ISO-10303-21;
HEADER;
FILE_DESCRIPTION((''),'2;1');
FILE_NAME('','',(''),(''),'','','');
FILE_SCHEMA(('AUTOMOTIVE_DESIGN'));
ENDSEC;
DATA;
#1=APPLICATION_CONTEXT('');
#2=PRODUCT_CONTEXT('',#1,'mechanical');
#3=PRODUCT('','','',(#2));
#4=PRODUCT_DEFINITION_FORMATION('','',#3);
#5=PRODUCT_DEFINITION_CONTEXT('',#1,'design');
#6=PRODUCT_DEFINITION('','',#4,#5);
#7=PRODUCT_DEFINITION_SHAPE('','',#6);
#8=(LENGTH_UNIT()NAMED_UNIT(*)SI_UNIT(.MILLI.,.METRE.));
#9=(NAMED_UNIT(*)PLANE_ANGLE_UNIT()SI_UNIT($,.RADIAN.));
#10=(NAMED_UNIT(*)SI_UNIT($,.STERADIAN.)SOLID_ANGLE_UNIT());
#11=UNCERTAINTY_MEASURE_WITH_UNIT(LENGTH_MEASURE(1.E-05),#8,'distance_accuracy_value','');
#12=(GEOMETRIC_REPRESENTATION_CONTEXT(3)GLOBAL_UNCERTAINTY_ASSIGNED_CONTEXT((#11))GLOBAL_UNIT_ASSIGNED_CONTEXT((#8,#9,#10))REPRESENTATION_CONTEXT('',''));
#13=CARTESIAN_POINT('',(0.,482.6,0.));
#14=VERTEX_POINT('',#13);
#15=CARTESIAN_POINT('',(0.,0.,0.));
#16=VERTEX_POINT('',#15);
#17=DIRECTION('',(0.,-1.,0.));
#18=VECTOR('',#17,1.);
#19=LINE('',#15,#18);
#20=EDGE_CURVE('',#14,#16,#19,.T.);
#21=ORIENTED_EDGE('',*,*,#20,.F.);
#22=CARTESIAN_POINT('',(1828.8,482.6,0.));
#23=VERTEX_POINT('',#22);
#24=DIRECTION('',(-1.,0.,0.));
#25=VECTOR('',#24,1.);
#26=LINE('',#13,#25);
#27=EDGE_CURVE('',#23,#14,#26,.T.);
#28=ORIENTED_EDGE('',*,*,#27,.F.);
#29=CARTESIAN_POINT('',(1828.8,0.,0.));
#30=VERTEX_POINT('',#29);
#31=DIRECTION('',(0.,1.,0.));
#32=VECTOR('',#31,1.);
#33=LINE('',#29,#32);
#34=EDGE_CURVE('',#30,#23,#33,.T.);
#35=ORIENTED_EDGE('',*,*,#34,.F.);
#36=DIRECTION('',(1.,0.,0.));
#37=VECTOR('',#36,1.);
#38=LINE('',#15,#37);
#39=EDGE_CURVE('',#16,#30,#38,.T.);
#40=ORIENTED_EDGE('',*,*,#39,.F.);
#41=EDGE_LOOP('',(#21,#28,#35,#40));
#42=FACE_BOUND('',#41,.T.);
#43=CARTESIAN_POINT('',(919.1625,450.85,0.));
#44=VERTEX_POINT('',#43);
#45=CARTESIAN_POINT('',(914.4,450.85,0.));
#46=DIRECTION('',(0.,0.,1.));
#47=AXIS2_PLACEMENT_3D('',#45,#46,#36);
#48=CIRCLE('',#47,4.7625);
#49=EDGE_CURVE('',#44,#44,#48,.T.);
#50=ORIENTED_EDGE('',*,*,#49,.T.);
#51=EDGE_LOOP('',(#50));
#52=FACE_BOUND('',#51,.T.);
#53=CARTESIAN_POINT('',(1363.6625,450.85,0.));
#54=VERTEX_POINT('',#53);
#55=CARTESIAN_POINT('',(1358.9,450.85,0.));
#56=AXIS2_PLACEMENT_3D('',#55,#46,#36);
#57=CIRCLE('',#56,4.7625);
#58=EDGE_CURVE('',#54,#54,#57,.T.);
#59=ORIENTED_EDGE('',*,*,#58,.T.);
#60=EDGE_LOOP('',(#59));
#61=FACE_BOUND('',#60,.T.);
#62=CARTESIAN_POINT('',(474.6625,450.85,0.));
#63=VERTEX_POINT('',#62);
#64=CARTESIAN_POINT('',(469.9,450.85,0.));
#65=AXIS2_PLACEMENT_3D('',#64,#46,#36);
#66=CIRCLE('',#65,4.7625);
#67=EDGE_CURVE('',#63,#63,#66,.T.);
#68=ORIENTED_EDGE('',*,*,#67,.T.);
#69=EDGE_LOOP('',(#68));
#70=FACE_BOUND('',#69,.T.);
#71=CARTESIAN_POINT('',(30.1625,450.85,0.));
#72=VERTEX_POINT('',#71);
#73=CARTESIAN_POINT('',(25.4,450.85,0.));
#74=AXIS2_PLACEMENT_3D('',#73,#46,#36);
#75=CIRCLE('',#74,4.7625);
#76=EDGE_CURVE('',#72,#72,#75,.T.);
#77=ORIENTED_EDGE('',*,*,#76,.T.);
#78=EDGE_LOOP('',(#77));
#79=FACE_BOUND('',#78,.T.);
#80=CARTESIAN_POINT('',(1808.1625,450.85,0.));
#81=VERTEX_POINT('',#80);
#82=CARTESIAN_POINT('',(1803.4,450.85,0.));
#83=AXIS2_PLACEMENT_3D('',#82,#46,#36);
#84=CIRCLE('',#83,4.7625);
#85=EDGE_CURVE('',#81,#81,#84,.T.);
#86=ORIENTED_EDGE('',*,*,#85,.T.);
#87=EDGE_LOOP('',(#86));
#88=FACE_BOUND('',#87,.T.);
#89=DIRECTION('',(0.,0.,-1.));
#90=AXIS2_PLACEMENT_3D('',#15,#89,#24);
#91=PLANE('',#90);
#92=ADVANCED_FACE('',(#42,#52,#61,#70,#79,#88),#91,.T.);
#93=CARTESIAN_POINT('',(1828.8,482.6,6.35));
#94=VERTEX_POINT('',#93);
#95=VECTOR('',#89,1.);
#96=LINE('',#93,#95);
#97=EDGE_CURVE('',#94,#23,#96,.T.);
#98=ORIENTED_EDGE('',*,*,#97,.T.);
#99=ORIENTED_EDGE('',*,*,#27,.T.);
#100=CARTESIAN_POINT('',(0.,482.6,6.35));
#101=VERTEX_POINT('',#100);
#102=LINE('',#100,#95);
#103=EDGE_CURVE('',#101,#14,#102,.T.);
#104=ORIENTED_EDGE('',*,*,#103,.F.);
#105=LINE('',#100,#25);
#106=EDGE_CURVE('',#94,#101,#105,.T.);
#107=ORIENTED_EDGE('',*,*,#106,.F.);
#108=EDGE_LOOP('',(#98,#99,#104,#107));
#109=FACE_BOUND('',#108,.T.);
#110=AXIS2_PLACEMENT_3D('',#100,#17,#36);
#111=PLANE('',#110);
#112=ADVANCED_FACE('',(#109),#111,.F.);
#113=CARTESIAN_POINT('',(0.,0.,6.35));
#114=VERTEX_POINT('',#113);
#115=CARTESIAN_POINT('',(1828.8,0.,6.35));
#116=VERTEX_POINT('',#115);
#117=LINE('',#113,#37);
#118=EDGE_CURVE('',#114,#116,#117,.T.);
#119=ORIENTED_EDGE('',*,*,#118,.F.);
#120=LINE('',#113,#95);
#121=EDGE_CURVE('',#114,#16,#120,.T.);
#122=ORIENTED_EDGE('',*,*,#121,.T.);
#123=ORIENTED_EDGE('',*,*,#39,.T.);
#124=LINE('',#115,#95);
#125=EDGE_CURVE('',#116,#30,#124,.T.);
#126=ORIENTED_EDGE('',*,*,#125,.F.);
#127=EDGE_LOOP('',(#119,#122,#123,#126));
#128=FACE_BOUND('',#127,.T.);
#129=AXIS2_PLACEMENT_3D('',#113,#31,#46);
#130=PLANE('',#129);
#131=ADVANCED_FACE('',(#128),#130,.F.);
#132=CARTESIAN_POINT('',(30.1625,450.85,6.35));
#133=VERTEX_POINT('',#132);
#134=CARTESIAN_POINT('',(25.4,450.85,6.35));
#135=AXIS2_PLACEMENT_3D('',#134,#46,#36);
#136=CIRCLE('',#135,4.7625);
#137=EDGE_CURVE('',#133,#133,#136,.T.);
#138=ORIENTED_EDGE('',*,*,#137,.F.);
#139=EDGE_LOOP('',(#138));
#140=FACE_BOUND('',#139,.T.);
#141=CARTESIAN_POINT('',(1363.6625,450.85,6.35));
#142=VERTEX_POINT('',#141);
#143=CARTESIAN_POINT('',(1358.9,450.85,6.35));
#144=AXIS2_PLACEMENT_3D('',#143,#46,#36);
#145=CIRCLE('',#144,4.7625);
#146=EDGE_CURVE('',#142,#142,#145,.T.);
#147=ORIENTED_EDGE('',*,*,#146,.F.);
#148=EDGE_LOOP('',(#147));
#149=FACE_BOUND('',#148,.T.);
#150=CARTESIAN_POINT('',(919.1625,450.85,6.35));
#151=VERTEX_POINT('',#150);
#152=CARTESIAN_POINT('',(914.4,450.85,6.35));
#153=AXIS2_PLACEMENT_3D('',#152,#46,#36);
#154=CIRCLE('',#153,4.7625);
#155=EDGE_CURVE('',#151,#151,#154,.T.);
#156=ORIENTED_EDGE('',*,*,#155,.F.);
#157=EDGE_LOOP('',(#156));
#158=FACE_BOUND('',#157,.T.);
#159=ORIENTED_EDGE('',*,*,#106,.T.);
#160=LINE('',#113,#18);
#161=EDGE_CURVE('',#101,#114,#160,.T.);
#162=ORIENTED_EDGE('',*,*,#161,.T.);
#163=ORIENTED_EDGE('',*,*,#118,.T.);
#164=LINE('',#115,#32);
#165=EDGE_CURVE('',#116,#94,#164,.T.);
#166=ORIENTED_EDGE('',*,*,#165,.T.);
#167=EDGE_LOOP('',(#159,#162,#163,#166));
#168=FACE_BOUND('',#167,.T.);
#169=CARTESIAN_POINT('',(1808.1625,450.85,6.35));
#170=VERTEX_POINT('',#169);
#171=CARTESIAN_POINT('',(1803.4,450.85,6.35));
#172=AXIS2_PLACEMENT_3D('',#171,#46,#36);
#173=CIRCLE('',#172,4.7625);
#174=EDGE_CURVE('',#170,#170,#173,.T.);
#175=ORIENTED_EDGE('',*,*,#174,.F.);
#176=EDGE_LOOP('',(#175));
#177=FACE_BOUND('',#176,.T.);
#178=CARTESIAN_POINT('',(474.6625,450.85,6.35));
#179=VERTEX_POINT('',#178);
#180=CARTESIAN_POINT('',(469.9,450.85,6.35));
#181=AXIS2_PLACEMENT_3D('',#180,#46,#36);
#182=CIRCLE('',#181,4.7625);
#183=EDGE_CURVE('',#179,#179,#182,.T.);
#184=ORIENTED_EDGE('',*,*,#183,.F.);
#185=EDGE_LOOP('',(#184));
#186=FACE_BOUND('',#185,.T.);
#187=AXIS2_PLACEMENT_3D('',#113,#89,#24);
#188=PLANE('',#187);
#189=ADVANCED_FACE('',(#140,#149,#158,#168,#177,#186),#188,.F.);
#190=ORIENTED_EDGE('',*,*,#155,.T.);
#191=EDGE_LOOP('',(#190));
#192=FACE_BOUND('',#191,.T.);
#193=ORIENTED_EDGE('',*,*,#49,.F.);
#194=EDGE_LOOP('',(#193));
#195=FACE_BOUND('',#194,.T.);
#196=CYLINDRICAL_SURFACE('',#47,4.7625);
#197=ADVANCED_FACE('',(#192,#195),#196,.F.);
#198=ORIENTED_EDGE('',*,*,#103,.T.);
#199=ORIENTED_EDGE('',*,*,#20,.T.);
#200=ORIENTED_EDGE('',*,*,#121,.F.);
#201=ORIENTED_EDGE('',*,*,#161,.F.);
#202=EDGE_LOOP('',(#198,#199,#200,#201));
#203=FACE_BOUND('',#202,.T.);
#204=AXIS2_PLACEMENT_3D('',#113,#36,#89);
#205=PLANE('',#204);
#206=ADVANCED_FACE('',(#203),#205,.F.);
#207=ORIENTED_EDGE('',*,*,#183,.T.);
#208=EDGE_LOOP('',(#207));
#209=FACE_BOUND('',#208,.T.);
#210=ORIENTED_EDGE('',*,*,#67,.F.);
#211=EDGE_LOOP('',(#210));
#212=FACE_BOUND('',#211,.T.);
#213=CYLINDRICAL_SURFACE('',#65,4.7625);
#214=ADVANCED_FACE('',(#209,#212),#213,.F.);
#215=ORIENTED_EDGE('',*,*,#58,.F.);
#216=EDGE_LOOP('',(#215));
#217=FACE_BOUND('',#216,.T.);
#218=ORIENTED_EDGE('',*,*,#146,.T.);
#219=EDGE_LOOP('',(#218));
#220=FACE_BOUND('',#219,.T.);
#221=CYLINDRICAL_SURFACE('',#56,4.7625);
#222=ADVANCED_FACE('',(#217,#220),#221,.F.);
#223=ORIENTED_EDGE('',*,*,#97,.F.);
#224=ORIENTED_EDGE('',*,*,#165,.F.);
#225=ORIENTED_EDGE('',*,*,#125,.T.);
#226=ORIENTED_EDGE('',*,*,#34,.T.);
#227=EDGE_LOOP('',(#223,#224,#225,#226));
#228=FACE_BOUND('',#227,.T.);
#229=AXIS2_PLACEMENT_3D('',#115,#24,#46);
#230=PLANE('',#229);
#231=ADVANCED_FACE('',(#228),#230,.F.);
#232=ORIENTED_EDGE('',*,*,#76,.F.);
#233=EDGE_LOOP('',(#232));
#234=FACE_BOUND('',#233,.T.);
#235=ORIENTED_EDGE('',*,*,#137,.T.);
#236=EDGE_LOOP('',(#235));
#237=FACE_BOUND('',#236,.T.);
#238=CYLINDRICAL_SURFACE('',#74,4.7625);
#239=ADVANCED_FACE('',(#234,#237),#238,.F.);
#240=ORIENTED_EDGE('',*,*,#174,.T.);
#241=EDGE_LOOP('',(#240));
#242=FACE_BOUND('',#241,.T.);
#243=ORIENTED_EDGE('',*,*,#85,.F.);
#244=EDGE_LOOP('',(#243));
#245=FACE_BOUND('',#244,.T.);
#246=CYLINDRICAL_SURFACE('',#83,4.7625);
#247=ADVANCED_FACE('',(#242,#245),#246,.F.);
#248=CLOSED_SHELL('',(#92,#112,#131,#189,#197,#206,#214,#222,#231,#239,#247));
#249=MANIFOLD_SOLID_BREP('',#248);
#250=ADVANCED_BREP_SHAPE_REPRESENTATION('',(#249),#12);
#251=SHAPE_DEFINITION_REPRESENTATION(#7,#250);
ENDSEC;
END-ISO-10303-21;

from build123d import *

# Parameters (mm, degrees)
SKETCH1_W           = 1828.8
SKETCH1_H           = 482.6
BOSS_EXTRUDE1_DEPTH = 6.35
SKETCH2_R           = 4.7625
CUT_EXTRUDE1_DEPTH  = 7.35


with BuildPart() as part:
    # Sketch1 → Boss-Extrude1 (new body)
    with BuildSketch(Plane.XY):
        with Locations((914.4, 241.3)):
            Rectangle(SKETCH1_W, SKETCH1_H)
    extrude(amount=BOSS_EXTRUDE1_DEPTH)

    # Sketch2 → Cut-Extrude1 (cut, through all)
    with BuildSketch(Plane.XY.offset(6.35)):
        with Locations((25.4, 450.85)):
            Circle(SKETCH2_R)
        with Locations((469.9, 450.85)):
            Circle(SKETCH2_R)
        with Locations((914.4, 450.85)):
            Circle(SKETCH2_R)
        with Locations((1358.9, 450.85)):
            Circle(SKETCH2_R)
        with Locations((1803.4, 450.85)):
            Circle(SKETCH2_R)
    extrude(amount=-CUT_EXTRUDE1_DEPTH, mode=Mode.SUBTRACT)


solid = part.part
